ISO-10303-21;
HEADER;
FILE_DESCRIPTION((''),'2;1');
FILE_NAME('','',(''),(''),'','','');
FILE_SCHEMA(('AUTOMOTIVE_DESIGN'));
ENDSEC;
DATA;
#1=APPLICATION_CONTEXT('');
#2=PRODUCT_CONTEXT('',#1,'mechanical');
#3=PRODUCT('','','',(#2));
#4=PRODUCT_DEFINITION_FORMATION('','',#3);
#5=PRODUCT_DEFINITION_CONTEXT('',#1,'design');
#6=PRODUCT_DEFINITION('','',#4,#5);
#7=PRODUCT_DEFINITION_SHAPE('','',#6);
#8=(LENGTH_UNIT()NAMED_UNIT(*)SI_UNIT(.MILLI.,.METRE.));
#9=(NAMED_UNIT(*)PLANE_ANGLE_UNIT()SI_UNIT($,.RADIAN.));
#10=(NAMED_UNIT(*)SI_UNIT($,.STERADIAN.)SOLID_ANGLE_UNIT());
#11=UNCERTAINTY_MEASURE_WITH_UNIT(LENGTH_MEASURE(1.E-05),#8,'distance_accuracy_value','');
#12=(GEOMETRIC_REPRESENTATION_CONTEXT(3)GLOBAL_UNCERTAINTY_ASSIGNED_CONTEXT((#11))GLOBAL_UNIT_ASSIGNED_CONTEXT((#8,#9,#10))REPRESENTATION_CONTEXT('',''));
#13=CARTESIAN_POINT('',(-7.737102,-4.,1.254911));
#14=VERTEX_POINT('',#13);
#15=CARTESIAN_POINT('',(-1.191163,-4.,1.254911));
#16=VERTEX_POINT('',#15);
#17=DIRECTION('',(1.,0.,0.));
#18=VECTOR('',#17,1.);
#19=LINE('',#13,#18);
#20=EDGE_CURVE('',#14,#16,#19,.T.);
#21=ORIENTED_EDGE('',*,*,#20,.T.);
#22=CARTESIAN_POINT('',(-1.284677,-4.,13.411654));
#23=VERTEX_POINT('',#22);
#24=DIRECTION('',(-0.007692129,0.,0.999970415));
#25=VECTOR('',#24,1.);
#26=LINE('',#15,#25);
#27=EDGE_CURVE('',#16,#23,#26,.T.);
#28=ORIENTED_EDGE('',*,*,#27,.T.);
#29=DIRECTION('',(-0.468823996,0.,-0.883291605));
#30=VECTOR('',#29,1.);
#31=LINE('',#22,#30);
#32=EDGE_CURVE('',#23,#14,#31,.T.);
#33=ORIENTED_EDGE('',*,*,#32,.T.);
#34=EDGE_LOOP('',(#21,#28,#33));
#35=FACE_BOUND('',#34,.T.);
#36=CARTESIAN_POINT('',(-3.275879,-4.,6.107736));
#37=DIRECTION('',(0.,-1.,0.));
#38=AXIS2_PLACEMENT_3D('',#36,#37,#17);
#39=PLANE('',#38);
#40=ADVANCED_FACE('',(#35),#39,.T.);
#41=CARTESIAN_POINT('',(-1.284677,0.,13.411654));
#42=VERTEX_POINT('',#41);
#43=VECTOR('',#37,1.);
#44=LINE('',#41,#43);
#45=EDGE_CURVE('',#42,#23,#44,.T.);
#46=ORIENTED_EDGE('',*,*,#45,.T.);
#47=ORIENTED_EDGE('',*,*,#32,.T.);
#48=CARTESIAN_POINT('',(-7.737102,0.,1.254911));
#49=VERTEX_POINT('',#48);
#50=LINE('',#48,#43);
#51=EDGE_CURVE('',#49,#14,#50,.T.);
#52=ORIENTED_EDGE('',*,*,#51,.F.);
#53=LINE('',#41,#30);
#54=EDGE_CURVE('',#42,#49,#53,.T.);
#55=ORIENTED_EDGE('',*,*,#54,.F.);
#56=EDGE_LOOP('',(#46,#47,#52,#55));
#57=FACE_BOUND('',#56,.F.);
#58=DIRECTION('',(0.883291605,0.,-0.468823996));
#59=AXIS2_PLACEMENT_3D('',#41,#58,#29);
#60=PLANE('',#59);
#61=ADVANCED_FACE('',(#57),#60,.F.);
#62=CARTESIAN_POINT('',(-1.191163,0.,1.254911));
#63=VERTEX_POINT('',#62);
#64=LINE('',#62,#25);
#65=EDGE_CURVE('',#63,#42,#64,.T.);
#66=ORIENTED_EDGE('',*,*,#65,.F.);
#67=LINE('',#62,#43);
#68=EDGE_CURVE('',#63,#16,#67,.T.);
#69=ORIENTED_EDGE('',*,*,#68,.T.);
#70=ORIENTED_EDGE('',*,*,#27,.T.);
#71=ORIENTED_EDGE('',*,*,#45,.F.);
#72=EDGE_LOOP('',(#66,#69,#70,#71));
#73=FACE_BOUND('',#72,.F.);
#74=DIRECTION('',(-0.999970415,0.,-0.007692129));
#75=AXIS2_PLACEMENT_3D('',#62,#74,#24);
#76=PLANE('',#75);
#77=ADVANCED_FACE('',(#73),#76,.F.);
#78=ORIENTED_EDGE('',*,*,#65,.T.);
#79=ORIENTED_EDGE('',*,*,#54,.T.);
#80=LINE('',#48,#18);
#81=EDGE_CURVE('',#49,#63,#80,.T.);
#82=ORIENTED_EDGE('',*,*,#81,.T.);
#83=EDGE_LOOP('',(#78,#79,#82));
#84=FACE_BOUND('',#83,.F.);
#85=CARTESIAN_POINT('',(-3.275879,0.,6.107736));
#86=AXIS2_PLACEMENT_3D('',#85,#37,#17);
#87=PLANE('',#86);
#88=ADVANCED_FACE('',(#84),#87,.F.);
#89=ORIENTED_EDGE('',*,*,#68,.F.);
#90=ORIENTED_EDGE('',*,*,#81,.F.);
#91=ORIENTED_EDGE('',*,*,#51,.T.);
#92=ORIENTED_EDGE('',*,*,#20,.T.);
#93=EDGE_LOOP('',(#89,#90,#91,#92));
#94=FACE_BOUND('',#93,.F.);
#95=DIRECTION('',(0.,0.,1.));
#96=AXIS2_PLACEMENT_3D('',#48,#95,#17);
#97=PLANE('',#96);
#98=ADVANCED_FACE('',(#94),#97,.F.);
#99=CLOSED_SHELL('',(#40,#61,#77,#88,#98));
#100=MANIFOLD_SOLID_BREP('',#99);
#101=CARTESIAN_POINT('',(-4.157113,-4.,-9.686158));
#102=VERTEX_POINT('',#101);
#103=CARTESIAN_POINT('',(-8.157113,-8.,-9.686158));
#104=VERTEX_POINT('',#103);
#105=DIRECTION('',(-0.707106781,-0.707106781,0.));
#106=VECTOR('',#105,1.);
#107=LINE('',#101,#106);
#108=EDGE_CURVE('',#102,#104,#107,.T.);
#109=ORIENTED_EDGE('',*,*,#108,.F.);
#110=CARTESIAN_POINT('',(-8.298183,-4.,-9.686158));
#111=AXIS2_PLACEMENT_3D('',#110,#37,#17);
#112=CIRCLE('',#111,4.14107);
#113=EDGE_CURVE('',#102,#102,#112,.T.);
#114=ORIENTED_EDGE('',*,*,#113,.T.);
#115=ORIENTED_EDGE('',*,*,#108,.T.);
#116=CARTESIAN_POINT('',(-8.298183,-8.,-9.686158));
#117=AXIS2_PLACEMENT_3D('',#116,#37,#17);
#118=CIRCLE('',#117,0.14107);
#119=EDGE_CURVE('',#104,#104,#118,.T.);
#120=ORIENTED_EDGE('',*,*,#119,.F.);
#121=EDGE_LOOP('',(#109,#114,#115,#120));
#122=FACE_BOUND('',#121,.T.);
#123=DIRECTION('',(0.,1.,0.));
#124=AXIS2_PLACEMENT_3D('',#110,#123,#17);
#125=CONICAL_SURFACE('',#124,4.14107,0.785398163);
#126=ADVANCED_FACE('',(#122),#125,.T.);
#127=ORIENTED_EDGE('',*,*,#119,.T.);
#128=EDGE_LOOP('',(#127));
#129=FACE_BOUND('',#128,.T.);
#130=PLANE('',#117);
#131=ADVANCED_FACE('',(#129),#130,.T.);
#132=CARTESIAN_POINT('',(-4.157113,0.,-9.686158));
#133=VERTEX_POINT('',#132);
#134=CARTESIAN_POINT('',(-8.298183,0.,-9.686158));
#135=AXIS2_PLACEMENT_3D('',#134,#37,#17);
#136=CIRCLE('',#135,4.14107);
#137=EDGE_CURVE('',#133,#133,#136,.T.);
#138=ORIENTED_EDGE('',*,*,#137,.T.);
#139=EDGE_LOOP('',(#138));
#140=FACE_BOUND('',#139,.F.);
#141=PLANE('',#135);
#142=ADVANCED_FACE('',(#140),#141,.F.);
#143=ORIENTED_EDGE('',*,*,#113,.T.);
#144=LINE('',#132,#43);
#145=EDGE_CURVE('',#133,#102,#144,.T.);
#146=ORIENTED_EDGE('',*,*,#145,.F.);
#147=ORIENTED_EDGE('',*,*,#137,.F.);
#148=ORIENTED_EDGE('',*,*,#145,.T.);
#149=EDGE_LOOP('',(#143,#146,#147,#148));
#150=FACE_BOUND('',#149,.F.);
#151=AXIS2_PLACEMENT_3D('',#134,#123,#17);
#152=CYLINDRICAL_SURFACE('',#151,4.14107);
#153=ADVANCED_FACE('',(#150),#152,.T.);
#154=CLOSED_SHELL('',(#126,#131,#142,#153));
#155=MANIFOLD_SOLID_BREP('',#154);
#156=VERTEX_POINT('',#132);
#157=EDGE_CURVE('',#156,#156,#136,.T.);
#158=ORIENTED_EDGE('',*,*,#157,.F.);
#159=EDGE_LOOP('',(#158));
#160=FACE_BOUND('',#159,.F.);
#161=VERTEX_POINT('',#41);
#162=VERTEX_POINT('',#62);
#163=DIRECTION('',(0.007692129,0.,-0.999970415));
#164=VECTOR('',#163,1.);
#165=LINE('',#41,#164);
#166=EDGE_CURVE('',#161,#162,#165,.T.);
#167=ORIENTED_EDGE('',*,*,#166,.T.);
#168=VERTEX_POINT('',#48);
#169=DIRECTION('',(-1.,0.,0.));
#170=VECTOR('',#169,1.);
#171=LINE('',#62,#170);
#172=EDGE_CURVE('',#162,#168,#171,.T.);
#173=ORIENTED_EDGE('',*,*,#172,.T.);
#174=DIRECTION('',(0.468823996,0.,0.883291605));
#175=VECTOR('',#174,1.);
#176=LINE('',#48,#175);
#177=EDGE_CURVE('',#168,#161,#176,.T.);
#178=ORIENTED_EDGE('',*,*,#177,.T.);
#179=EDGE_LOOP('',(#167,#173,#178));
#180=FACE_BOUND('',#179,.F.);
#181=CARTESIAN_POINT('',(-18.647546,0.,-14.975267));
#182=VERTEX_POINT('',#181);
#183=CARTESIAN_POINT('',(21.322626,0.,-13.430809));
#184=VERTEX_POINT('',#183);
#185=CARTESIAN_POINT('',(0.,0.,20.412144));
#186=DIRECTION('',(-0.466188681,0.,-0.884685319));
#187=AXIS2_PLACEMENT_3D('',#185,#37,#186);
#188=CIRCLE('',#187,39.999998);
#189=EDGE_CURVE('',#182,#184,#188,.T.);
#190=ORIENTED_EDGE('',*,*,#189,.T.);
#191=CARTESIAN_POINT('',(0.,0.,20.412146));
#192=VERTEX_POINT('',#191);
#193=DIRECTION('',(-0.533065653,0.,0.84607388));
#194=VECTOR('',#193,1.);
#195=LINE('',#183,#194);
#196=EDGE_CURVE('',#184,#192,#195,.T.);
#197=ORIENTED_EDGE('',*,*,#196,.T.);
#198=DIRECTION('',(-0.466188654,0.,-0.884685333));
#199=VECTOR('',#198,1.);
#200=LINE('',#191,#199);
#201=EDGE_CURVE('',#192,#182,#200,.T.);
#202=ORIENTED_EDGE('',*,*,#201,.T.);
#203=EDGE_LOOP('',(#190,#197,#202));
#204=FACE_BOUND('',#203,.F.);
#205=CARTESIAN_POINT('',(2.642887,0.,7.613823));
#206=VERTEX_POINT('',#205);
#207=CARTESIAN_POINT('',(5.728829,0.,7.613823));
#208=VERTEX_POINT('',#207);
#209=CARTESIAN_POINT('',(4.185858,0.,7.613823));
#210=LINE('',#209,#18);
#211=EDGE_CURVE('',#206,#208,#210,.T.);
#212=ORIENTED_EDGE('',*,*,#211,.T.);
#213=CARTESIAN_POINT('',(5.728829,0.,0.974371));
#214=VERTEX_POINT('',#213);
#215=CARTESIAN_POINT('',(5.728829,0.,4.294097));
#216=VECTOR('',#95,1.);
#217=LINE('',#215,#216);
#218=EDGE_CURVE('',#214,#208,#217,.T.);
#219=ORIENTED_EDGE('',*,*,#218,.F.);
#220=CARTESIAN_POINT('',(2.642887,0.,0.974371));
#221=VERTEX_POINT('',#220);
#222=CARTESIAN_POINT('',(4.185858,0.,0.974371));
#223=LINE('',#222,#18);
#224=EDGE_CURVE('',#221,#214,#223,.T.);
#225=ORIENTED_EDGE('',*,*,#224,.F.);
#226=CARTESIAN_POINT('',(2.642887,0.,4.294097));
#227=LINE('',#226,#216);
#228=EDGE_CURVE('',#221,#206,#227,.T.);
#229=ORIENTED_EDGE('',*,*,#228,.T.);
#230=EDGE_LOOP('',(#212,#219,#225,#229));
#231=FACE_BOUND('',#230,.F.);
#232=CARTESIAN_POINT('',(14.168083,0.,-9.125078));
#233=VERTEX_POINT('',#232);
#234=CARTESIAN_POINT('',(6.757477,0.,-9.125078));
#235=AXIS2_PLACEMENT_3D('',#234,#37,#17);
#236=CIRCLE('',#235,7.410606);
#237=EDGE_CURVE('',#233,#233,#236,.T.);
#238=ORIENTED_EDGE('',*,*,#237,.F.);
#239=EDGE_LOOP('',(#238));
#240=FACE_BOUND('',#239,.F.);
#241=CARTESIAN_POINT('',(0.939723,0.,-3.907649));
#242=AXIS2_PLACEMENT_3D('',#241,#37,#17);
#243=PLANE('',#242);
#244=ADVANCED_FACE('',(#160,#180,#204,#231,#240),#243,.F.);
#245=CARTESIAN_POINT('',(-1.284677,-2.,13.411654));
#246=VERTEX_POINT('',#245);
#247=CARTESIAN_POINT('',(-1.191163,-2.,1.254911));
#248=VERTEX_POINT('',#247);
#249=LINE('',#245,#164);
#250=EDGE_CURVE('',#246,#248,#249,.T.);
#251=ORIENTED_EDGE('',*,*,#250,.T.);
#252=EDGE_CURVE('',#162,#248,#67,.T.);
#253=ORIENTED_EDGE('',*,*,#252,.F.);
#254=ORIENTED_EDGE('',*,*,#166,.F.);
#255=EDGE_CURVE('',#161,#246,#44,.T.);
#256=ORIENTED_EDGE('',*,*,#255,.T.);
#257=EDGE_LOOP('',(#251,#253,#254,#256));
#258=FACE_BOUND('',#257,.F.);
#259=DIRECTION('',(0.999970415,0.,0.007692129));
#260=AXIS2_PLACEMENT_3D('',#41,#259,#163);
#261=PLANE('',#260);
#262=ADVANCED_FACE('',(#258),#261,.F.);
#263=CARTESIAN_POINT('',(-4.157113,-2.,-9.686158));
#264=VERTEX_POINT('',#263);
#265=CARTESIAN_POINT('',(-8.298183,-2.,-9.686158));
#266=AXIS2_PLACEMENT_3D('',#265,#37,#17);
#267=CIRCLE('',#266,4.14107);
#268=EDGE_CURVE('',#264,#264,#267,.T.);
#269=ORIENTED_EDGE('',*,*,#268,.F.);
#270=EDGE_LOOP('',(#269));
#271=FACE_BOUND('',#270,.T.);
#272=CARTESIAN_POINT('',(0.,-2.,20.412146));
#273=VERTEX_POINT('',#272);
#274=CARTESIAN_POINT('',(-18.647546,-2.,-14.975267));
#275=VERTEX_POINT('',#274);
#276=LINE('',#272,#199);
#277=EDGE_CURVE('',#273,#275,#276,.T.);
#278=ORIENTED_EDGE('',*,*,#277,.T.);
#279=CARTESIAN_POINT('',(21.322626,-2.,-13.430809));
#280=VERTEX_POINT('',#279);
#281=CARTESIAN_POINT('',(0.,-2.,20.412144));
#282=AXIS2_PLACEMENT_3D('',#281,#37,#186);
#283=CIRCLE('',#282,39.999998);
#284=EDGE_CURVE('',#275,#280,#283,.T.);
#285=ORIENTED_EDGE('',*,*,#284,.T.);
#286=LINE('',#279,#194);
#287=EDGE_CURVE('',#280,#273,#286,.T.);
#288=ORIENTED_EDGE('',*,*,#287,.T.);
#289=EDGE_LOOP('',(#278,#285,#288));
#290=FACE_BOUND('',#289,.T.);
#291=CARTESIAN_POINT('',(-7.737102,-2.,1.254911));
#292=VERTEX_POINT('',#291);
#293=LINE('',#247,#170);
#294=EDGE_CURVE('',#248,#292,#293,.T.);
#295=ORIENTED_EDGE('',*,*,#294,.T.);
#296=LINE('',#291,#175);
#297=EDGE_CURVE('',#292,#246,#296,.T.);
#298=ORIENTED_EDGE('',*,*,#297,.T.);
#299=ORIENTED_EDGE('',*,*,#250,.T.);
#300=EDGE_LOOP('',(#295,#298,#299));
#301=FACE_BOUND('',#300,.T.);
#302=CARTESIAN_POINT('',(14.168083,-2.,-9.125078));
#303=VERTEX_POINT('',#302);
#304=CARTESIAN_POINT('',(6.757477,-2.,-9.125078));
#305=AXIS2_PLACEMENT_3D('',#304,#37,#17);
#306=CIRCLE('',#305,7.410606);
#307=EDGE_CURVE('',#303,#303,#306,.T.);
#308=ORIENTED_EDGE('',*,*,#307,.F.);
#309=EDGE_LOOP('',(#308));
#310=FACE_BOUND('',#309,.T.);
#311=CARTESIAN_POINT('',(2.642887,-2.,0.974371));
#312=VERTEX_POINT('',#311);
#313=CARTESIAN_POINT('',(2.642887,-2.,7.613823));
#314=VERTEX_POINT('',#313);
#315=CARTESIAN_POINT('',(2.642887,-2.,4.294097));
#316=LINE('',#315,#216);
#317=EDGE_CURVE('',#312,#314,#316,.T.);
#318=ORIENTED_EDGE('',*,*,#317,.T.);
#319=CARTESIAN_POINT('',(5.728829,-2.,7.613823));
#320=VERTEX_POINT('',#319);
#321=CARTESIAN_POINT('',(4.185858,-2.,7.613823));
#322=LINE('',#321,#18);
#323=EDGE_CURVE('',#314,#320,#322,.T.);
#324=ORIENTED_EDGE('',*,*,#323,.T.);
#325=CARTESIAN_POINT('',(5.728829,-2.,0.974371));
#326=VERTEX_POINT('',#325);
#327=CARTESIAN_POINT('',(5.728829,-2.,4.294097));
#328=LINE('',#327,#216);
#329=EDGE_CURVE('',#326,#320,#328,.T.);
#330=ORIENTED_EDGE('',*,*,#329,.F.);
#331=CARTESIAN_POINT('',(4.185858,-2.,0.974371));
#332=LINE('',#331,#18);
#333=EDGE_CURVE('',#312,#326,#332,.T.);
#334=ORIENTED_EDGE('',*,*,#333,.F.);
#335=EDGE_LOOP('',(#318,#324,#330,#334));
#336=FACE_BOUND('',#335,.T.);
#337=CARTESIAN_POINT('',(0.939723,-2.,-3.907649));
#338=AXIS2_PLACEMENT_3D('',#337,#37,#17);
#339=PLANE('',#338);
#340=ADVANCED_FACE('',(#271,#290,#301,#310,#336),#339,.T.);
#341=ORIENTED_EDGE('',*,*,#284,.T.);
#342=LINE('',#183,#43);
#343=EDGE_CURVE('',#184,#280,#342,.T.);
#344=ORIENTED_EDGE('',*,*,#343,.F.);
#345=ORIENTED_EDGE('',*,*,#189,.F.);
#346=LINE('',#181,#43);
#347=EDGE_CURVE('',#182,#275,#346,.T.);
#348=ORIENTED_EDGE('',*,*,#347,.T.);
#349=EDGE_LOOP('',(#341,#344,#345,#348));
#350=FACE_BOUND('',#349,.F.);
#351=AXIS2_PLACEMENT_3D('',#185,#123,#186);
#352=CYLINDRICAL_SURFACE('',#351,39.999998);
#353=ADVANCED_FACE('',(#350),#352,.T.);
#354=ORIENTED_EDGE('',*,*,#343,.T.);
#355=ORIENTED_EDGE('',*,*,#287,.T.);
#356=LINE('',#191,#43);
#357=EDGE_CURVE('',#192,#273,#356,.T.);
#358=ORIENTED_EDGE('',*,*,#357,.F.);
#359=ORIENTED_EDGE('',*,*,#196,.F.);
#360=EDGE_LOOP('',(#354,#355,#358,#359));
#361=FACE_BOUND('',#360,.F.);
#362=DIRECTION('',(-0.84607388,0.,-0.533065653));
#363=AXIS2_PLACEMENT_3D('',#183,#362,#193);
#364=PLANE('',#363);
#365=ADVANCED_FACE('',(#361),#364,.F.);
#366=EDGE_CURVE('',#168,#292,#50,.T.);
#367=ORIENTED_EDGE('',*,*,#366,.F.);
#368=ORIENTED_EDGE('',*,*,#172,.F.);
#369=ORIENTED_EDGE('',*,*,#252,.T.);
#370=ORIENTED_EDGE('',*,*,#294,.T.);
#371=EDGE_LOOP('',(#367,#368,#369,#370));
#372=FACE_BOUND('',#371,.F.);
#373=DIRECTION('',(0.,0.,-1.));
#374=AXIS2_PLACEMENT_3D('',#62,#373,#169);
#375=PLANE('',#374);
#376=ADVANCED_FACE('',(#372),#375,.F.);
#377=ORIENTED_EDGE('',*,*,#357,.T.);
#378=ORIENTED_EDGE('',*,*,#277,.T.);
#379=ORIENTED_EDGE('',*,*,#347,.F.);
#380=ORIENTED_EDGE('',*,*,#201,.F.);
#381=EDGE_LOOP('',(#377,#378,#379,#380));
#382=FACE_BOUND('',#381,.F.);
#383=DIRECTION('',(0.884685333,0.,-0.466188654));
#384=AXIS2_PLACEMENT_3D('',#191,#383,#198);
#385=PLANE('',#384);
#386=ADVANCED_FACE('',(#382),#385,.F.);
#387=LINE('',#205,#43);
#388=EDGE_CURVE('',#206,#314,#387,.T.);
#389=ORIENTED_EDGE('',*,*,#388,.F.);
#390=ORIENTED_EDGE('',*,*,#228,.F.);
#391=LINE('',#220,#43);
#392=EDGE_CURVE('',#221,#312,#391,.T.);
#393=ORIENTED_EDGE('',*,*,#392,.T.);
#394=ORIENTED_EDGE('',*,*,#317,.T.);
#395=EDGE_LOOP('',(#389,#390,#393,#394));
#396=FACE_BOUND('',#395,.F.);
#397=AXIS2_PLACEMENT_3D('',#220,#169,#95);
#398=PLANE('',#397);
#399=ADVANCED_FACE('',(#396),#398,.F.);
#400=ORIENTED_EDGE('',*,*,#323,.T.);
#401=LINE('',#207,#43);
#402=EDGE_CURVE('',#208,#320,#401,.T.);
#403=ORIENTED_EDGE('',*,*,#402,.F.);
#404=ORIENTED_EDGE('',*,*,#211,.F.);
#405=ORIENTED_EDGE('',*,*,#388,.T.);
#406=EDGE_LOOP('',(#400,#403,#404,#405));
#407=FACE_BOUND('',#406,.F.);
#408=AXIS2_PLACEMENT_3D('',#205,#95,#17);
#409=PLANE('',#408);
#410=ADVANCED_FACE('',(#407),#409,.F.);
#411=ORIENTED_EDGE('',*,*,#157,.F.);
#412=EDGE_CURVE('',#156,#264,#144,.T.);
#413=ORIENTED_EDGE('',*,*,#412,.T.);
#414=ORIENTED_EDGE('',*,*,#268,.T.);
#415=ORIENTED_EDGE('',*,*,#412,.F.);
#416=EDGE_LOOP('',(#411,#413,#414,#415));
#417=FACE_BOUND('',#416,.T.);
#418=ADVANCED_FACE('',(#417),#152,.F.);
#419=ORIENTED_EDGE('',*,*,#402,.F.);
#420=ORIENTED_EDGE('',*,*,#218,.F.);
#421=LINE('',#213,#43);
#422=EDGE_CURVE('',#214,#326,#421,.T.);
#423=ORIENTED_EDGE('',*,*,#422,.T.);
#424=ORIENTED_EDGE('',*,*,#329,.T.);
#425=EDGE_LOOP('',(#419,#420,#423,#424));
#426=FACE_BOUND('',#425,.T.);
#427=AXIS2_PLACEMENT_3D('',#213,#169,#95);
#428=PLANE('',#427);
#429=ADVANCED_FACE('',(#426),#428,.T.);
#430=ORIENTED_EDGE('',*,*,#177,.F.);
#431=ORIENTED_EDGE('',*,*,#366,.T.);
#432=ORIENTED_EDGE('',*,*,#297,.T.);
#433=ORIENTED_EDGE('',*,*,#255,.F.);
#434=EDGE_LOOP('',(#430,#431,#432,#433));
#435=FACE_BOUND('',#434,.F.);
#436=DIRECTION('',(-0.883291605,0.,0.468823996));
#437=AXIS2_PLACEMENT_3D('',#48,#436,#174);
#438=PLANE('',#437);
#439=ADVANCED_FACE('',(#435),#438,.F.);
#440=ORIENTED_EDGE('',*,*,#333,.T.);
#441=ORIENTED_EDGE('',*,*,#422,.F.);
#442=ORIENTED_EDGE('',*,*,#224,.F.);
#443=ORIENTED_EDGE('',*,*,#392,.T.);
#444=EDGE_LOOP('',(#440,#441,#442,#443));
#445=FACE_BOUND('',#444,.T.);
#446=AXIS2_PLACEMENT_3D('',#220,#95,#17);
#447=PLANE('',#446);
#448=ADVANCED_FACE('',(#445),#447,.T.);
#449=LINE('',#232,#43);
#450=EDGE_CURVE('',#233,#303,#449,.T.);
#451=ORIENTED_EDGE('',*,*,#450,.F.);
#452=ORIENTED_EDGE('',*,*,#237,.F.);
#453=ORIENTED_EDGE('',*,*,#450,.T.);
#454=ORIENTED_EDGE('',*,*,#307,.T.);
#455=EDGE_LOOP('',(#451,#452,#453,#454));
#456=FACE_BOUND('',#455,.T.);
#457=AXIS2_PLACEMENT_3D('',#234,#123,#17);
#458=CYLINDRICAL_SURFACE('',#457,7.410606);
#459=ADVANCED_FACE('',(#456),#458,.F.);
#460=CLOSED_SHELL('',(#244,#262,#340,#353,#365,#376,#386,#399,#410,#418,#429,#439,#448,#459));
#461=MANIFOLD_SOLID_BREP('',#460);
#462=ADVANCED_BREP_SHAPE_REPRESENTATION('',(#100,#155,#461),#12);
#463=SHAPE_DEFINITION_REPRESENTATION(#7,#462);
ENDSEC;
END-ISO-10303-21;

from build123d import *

# Parameters (mm, degrees)
F0_R     = 4.14107
F0_R_2   = 7.410606
F0_W     = 3.085942
F0_H     = 6.639451
F1_DEPTH = 2
F2_DEPTH = 4
F3_DEPTH = 8
F4_SIZE  = 4


with BuildPart() as f1:
    # F0 (on Front) → F1 (new body)
    with BuildSketch(Plane.XZ):
        with BuildLine():
            Line((21.322626, -13.430809), (0, 20.412146))
            Line((0, 20.412146), (-18.647546, -14.975267))
            ThreePointArc((-18.647546, -14.975267), (1.544458, -19.558026), (21.322626, -13.430809))
        make_face()
        with Locations((-8.298183, -9.686158)):
            Circle(F0_R, mode=Mode.SUBTRACT)
        with Locations((6.757477, -9.125078)):
            Circle(F0_R_2, mode=Mode.SUBTRACT)
        Polygon((-7.737102, 1.254911), (-1.284677, 13.411654), (-1.191163, 1.254911), align=None, mode=Mode.SUBTRACT)
        with Locations((4.185858, 4.294097)):
            Rectangle(F0_W, F0_H, mode=Mode.SUBTRACT)
    extrude(amount=F1_DEPTH)


with BuildPart() as f2:
    # F0 (on Front) → F2 (new body)
    with BuildSketch(Plane.XZ):
        Polygon((-1.191163, 1.254911), (-1.284677, 13.411654), (-7.737102, 1.254911), align=None)
    extrude(amount=F2_DEPTH)


with BuildPart() as f3:
    # F0 (on Front) → F3 (new body)
    with BuildSketch(Plane.XZ):
        with Locations((-8.298183, -9.686158)):
            Circle(F0_R)
    extrude(amount=F3_DEPTH)

    # F4
    f4_edges = [f3.edges().sort_by_distance(p)[0] for p in [
        (-12.439253, -8, -9.686158),
    ]]
    chamfer(f4_edges, length=F4_SIZE)


solid = Compound([f1.part, f2.part, f3.part])
